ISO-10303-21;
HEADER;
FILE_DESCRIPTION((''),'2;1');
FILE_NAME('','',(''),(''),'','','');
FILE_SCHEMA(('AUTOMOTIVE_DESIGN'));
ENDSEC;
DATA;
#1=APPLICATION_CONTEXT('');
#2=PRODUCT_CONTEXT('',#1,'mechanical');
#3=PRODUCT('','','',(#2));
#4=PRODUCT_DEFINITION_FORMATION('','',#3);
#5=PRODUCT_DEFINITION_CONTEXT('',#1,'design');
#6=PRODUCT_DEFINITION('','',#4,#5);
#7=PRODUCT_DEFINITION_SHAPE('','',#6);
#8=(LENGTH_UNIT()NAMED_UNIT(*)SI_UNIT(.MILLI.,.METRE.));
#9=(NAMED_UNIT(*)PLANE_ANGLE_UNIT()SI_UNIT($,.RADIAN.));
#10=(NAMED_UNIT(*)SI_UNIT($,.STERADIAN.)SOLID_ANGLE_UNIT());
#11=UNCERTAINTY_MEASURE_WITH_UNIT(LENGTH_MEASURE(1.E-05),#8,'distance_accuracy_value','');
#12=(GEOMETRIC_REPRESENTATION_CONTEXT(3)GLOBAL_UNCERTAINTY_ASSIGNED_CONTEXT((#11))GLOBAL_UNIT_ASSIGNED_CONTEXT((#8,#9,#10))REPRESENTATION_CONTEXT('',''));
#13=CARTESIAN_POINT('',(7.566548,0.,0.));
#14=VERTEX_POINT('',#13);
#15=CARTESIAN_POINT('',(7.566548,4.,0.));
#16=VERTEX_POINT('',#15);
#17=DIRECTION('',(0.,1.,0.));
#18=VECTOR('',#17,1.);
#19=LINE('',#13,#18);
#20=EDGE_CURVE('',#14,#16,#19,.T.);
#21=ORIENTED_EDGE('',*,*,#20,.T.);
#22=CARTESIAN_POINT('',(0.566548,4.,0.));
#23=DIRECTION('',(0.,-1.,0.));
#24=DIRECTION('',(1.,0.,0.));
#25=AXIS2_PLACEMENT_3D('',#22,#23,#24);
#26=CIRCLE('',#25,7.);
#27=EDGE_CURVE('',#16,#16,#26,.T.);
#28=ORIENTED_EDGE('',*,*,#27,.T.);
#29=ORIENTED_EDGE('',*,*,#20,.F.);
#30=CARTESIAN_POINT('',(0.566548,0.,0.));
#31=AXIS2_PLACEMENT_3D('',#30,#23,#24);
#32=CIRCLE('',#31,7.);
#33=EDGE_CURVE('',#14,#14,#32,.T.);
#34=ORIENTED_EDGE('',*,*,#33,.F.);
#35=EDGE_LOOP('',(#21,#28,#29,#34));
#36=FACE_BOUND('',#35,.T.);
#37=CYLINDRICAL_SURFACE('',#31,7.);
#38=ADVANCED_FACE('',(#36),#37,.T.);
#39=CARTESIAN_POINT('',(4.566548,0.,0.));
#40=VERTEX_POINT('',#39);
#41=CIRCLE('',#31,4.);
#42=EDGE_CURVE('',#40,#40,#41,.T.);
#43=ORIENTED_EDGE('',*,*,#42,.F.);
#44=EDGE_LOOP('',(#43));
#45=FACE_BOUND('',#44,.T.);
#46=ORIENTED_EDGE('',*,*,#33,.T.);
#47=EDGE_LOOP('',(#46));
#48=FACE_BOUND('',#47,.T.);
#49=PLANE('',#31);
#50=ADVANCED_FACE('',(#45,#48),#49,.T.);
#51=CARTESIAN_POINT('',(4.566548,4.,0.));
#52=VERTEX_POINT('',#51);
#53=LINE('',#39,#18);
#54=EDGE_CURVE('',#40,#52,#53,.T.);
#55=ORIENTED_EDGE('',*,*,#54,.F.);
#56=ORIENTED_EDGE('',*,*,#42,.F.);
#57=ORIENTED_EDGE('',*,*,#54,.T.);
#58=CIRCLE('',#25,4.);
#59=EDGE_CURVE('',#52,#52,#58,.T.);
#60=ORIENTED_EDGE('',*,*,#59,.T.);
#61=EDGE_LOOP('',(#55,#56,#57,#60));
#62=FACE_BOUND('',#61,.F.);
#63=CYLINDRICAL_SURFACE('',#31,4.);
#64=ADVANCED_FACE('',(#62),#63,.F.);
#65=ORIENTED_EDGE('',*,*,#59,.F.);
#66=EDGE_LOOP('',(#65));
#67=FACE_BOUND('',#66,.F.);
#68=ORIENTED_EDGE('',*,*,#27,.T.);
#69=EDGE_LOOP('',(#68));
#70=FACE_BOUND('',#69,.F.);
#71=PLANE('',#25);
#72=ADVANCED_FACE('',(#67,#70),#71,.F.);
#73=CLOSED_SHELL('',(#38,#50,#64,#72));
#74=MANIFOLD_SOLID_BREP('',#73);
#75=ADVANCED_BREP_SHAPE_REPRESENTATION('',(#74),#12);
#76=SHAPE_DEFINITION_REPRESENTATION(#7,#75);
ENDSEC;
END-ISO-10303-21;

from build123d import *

# Parameters (mm, degrees)
F0_R     = 4
F1_DEPTH = 4.5
F0_R_2   = 7
F2_DEPTH = 4


with BuildPart() as f1:
    # F0 (on Front) → F1 (new body)
    with BuildSketch(Plane.XZ):
        with Locations((0.566548, 0)):
            Circle(F0_R)
    extrude(amount=-F1_DEPTH)


with BuildPart() as f2:
    # F0 (on Front) → F2 (new body)
    with BuildSketch(Plane.XZ):
        with Locations((0.566548, 0)):
            Circle(F0_R_2)
        with Locations((0.566548, 0)):
            Circle(F0_R, mode=Mode.SUBTRACT)
    extrude(amount=-F2_DEPTH)


solid = f2.part
